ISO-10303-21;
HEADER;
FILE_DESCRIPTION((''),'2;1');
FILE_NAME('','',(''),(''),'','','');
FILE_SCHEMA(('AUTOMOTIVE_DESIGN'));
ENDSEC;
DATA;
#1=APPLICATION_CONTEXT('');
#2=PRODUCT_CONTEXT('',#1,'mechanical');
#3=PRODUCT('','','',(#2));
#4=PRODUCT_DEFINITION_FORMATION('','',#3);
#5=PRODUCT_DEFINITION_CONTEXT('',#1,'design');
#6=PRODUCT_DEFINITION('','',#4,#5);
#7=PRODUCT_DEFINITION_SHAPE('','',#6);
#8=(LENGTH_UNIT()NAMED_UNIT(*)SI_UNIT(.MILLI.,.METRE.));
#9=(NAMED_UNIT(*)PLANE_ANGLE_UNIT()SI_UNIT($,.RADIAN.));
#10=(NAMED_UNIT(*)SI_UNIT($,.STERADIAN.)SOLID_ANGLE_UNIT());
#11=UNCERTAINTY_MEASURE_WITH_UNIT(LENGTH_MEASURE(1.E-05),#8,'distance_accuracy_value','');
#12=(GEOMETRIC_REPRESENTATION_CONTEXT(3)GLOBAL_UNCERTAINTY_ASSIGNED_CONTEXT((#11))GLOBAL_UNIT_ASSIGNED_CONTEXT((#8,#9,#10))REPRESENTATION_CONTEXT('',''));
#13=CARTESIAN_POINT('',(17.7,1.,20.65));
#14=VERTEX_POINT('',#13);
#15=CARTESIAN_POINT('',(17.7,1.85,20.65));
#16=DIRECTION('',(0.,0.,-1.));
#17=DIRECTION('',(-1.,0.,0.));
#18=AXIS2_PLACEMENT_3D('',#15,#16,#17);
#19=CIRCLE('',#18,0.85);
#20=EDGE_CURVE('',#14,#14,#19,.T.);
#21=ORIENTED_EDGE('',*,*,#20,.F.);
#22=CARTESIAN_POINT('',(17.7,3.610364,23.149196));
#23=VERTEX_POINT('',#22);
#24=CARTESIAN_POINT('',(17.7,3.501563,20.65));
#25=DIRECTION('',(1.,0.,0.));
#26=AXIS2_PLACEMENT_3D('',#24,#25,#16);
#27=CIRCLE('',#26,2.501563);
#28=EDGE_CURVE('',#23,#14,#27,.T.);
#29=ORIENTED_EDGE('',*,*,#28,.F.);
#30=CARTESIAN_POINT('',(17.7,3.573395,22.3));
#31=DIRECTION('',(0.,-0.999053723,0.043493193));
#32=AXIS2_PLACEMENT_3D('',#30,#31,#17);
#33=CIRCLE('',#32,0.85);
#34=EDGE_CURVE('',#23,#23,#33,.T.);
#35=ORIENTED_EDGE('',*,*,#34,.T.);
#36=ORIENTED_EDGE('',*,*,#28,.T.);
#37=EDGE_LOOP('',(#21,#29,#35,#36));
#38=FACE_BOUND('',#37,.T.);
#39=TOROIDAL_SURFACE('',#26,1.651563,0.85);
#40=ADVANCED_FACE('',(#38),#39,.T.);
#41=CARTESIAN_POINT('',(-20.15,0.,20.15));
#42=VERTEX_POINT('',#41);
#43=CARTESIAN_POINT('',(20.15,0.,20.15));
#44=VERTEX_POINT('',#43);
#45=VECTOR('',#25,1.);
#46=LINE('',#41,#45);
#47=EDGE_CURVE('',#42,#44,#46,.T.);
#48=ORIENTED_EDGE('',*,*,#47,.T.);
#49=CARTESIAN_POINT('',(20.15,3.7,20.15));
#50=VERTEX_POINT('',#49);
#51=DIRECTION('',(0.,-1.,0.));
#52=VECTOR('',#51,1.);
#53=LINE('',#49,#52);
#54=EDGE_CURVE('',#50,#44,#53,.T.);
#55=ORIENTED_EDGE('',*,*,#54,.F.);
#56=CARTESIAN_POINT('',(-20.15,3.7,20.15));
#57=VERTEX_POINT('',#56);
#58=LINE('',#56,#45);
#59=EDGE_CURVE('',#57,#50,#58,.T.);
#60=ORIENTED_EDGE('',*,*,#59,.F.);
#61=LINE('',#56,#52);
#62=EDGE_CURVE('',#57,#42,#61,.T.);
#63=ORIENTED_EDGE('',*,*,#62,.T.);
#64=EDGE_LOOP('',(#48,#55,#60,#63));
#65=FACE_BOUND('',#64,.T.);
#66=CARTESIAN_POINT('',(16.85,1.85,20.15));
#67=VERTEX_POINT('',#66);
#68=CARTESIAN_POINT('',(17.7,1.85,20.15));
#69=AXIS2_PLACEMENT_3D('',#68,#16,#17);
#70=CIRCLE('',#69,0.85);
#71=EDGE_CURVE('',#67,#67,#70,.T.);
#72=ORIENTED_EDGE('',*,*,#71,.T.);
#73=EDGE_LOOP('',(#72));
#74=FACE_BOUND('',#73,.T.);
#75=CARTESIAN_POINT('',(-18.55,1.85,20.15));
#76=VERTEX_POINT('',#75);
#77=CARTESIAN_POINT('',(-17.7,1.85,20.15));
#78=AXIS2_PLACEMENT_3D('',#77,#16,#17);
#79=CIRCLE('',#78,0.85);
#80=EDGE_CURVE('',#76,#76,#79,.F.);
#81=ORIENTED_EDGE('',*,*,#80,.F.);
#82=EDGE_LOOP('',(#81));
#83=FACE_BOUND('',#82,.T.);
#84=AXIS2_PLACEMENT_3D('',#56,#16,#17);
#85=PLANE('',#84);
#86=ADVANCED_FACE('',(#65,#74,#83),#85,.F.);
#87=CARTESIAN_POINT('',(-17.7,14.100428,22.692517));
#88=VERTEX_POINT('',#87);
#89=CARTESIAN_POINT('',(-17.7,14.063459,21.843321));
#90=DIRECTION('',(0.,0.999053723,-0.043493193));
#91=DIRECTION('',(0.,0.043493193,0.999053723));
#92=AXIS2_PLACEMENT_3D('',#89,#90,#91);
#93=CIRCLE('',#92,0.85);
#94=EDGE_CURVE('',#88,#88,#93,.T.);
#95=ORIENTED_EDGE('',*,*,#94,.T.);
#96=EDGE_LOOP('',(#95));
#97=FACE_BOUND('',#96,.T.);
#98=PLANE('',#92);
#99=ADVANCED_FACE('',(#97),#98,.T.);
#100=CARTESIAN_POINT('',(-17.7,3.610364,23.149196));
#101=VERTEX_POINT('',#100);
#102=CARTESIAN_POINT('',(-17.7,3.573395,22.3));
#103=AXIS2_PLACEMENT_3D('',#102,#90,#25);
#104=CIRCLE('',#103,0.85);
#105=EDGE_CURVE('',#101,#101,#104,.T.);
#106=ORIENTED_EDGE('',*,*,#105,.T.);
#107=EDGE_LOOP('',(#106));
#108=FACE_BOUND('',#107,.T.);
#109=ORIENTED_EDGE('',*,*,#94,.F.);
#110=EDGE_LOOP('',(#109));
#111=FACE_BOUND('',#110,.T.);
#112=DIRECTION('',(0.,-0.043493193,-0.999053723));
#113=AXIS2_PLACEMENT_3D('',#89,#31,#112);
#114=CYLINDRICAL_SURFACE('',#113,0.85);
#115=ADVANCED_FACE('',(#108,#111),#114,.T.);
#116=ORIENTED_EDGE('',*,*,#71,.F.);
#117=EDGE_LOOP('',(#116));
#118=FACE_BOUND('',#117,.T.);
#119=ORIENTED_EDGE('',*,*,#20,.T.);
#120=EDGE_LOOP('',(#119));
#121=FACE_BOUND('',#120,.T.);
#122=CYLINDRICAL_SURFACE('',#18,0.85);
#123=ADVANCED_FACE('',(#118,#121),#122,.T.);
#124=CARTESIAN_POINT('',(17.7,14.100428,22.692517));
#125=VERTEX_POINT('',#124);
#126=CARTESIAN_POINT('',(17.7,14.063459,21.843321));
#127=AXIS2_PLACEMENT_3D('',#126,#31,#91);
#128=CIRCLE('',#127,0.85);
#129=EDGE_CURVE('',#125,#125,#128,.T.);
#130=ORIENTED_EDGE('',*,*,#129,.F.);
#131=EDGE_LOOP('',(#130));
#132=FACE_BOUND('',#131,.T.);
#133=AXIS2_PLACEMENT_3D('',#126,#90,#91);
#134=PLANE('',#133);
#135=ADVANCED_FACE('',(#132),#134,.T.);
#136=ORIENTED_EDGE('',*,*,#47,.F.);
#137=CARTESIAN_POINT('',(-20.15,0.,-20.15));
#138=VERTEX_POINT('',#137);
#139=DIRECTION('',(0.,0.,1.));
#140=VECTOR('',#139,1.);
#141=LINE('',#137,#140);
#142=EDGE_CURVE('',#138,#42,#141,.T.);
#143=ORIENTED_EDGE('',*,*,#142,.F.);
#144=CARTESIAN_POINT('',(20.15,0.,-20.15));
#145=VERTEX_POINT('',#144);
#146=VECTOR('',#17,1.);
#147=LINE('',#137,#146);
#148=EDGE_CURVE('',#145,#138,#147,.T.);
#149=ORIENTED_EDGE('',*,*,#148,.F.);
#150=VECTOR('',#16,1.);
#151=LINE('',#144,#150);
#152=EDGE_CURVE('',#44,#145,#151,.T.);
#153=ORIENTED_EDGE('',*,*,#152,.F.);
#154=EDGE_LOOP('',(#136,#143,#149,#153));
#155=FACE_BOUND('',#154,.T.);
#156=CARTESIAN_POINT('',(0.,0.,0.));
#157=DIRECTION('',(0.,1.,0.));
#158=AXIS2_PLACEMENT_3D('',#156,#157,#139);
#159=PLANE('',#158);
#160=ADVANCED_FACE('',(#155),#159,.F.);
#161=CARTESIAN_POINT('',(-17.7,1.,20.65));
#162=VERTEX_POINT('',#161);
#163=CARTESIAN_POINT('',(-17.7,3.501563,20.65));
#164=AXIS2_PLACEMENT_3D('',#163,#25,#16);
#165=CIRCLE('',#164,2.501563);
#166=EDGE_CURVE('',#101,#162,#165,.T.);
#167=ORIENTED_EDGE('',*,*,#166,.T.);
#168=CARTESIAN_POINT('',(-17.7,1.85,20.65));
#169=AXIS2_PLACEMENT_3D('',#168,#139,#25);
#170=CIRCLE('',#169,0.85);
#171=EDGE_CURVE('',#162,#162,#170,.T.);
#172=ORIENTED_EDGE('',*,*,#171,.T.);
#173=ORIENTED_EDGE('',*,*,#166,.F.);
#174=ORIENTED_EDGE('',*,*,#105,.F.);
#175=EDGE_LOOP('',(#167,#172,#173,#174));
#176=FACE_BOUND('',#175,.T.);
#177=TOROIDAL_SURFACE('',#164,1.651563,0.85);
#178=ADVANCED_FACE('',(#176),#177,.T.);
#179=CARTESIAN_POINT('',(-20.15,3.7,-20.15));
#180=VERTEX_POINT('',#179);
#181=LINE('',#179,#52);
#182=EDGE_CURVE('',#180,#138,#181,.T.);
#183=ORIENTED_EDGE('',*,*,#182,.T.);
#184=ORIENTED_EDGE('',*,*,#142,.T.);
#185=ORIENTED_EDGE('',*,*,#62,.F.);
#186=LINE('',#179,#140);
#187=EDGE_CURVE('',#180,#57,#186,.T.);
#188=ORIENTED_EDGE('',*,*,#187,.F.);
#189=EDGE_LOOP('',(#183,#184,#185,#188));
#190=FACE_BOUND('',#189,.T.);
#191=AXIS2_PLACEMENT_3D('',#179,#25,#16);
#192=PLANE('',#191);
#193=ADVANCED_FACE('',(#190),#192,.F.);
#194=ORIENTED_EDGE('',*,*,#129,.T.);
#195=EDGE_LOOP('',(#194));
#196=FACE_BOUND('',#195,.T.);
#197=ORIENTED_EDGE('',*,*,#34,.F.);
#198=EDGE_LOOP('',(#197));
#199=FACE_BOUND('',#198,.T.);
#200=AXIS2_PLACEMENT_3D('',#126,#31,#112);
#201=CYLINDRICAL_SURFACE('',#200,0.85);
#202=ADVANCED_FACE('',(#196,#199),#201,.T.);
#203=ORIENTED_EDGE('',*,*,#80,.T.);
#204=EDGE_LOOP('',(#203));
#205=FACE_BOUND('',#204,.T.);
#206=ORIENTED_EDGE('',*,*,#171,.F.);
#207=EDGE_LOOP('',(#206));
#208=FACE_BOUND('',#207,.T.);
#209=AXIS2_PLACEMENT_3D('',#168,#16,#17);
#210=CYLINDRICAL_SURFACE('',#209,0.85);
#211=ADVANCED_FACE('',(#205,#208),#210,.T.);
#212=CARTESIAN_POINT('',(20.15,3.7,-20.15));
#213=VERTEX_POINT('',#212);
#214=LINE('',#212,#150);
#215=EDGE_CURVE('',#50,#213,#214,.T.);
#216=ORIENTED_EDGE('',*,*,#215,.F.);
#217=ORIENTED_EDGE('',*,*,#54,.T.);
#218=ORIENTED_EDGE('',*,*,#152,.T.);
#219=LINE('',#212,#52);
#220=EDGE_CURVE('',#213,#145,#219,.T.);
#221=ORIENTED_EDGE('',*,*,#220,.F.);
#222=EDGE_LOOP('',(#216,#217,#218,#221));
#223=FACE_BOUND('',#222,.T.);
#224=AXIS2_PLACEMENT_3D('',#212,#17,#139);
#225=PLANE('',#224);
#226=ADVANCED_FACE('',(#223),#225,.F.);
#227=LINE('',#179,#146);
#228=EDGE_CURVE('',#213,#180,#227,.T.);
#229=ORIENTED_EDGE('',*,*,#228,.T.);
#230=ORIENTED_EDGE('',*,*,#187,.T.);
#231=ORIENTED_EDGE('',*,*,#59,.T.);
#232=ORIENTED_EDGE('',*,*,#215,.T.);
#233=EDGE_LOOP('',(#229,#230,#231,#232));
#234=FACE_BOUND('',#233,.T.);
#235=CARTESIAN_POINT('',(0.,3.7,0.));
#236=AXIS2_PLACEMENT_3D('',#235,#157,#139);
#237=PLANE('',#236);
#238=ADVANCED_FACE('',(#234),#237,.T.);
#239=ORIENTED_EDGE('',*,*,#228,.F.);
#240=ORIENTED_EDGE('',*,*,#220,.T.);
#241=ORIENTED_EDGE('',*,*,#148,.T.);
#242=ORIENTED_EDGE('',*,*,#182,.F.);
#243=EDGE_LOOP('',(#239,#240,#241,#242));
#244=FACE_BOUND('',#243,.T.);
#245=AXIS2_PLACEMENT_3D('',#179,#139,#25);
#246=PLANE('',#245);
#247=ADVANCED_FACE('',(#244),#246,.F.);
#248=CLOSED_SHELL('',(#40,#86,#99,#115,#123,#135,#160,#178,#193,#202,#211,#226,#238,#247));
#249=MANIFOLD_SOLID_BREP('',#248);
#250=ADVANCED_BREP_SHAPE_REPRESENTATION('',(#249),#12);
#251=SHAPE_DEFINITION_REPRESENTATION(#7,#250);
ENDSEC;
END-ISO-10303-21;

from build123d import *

# Parameters (mm, degrees)
SKETCH1_W           = 40.3
SKETCH1_H           = 40.3
BOSS_EXTRUDE1_DEPTH = 3.7
SKETCH3_R           = 0.85
BOSS_EXTRUDE2_DEPTH = 0.5
SKETCH5_R           = 0.85
SKETCH6_R           = 0.85
BOSS_EXTRUDE3_DEPTH = 10.5


with BuildPart() as part:
    # Sketch1 → Boss-Extrude1 (new body)
    with BuildSketch(Plane(origin=(0, 0, 0), x_dir=(1, 0, 0), z_dir=(0, 1, 0))):
        Rectangle(SKETCH1_W, SKETCH1_H)
    extrude(amount=BOSS_EXTRUDE1_DEPTH)

    # Sketch3 → Boss-Extrude2 (add)
    with BuildSketch(Plane.XY.offset(20.15)):
        with Locations((-17.7, 1.85)):
            Circle(SKETCH3_R)
    boss_extrude2 = extrude(amount=BOSS_EXTRUDE2_DEPTH)

    # Sweep1: sweep along a path in Sketch4
    with BuildLine(Plane.ZY.offset(17.7)) as sweep1_path:
        ThreePointArc((20.65, 1.85), (21.842957341, 2.359410226), (22.3, 3.573394576))
    # Sketch5 → Sweep1 (sweep)
    with BuildSketch(Plane.XY.offset(20.65)):
        with Locations((-17.7, 1.85)):
            Circle(SKETCH5_R)
    sweep1 = sweep(path=sweep1_path.line)

    # Sketch6 → Boss-Extrude3 (add)
    with BuildSketch(Plane(origin=(0, 2.597654528, -0.113087301), x_dir=(1, 0, 0), z_dir=(0, 0.9990537233687481, -0.04349319283567326))):
        with Locations((-17.7, -22.434316371)):
            Circle(SKETCH6_R)
    boss_extrude3 = extrude(amount=BOSS_EXTRUDE3_DEPTH)

    # Mirror1: Boss-Extrude2, Sweep1, Boss-Extrude3 across plane
    add(boss_extrude2.mirror(Plane(origin=(0, 0, 0), x_dir=(0, 0, 1), z_dir=(1, 0, 0))))
    add(sweep1.mirror(Plane(origin=(0, 0, 0), x_dir=(0, 0, 1), z_dir=(1, 0, 0))))
    add(boss_extrude3.mirror(Plane(origin=(0, 0, 0), x_dir=(0, 0, 1), z_dir=(1, 0, 0))))


solid = part.part
